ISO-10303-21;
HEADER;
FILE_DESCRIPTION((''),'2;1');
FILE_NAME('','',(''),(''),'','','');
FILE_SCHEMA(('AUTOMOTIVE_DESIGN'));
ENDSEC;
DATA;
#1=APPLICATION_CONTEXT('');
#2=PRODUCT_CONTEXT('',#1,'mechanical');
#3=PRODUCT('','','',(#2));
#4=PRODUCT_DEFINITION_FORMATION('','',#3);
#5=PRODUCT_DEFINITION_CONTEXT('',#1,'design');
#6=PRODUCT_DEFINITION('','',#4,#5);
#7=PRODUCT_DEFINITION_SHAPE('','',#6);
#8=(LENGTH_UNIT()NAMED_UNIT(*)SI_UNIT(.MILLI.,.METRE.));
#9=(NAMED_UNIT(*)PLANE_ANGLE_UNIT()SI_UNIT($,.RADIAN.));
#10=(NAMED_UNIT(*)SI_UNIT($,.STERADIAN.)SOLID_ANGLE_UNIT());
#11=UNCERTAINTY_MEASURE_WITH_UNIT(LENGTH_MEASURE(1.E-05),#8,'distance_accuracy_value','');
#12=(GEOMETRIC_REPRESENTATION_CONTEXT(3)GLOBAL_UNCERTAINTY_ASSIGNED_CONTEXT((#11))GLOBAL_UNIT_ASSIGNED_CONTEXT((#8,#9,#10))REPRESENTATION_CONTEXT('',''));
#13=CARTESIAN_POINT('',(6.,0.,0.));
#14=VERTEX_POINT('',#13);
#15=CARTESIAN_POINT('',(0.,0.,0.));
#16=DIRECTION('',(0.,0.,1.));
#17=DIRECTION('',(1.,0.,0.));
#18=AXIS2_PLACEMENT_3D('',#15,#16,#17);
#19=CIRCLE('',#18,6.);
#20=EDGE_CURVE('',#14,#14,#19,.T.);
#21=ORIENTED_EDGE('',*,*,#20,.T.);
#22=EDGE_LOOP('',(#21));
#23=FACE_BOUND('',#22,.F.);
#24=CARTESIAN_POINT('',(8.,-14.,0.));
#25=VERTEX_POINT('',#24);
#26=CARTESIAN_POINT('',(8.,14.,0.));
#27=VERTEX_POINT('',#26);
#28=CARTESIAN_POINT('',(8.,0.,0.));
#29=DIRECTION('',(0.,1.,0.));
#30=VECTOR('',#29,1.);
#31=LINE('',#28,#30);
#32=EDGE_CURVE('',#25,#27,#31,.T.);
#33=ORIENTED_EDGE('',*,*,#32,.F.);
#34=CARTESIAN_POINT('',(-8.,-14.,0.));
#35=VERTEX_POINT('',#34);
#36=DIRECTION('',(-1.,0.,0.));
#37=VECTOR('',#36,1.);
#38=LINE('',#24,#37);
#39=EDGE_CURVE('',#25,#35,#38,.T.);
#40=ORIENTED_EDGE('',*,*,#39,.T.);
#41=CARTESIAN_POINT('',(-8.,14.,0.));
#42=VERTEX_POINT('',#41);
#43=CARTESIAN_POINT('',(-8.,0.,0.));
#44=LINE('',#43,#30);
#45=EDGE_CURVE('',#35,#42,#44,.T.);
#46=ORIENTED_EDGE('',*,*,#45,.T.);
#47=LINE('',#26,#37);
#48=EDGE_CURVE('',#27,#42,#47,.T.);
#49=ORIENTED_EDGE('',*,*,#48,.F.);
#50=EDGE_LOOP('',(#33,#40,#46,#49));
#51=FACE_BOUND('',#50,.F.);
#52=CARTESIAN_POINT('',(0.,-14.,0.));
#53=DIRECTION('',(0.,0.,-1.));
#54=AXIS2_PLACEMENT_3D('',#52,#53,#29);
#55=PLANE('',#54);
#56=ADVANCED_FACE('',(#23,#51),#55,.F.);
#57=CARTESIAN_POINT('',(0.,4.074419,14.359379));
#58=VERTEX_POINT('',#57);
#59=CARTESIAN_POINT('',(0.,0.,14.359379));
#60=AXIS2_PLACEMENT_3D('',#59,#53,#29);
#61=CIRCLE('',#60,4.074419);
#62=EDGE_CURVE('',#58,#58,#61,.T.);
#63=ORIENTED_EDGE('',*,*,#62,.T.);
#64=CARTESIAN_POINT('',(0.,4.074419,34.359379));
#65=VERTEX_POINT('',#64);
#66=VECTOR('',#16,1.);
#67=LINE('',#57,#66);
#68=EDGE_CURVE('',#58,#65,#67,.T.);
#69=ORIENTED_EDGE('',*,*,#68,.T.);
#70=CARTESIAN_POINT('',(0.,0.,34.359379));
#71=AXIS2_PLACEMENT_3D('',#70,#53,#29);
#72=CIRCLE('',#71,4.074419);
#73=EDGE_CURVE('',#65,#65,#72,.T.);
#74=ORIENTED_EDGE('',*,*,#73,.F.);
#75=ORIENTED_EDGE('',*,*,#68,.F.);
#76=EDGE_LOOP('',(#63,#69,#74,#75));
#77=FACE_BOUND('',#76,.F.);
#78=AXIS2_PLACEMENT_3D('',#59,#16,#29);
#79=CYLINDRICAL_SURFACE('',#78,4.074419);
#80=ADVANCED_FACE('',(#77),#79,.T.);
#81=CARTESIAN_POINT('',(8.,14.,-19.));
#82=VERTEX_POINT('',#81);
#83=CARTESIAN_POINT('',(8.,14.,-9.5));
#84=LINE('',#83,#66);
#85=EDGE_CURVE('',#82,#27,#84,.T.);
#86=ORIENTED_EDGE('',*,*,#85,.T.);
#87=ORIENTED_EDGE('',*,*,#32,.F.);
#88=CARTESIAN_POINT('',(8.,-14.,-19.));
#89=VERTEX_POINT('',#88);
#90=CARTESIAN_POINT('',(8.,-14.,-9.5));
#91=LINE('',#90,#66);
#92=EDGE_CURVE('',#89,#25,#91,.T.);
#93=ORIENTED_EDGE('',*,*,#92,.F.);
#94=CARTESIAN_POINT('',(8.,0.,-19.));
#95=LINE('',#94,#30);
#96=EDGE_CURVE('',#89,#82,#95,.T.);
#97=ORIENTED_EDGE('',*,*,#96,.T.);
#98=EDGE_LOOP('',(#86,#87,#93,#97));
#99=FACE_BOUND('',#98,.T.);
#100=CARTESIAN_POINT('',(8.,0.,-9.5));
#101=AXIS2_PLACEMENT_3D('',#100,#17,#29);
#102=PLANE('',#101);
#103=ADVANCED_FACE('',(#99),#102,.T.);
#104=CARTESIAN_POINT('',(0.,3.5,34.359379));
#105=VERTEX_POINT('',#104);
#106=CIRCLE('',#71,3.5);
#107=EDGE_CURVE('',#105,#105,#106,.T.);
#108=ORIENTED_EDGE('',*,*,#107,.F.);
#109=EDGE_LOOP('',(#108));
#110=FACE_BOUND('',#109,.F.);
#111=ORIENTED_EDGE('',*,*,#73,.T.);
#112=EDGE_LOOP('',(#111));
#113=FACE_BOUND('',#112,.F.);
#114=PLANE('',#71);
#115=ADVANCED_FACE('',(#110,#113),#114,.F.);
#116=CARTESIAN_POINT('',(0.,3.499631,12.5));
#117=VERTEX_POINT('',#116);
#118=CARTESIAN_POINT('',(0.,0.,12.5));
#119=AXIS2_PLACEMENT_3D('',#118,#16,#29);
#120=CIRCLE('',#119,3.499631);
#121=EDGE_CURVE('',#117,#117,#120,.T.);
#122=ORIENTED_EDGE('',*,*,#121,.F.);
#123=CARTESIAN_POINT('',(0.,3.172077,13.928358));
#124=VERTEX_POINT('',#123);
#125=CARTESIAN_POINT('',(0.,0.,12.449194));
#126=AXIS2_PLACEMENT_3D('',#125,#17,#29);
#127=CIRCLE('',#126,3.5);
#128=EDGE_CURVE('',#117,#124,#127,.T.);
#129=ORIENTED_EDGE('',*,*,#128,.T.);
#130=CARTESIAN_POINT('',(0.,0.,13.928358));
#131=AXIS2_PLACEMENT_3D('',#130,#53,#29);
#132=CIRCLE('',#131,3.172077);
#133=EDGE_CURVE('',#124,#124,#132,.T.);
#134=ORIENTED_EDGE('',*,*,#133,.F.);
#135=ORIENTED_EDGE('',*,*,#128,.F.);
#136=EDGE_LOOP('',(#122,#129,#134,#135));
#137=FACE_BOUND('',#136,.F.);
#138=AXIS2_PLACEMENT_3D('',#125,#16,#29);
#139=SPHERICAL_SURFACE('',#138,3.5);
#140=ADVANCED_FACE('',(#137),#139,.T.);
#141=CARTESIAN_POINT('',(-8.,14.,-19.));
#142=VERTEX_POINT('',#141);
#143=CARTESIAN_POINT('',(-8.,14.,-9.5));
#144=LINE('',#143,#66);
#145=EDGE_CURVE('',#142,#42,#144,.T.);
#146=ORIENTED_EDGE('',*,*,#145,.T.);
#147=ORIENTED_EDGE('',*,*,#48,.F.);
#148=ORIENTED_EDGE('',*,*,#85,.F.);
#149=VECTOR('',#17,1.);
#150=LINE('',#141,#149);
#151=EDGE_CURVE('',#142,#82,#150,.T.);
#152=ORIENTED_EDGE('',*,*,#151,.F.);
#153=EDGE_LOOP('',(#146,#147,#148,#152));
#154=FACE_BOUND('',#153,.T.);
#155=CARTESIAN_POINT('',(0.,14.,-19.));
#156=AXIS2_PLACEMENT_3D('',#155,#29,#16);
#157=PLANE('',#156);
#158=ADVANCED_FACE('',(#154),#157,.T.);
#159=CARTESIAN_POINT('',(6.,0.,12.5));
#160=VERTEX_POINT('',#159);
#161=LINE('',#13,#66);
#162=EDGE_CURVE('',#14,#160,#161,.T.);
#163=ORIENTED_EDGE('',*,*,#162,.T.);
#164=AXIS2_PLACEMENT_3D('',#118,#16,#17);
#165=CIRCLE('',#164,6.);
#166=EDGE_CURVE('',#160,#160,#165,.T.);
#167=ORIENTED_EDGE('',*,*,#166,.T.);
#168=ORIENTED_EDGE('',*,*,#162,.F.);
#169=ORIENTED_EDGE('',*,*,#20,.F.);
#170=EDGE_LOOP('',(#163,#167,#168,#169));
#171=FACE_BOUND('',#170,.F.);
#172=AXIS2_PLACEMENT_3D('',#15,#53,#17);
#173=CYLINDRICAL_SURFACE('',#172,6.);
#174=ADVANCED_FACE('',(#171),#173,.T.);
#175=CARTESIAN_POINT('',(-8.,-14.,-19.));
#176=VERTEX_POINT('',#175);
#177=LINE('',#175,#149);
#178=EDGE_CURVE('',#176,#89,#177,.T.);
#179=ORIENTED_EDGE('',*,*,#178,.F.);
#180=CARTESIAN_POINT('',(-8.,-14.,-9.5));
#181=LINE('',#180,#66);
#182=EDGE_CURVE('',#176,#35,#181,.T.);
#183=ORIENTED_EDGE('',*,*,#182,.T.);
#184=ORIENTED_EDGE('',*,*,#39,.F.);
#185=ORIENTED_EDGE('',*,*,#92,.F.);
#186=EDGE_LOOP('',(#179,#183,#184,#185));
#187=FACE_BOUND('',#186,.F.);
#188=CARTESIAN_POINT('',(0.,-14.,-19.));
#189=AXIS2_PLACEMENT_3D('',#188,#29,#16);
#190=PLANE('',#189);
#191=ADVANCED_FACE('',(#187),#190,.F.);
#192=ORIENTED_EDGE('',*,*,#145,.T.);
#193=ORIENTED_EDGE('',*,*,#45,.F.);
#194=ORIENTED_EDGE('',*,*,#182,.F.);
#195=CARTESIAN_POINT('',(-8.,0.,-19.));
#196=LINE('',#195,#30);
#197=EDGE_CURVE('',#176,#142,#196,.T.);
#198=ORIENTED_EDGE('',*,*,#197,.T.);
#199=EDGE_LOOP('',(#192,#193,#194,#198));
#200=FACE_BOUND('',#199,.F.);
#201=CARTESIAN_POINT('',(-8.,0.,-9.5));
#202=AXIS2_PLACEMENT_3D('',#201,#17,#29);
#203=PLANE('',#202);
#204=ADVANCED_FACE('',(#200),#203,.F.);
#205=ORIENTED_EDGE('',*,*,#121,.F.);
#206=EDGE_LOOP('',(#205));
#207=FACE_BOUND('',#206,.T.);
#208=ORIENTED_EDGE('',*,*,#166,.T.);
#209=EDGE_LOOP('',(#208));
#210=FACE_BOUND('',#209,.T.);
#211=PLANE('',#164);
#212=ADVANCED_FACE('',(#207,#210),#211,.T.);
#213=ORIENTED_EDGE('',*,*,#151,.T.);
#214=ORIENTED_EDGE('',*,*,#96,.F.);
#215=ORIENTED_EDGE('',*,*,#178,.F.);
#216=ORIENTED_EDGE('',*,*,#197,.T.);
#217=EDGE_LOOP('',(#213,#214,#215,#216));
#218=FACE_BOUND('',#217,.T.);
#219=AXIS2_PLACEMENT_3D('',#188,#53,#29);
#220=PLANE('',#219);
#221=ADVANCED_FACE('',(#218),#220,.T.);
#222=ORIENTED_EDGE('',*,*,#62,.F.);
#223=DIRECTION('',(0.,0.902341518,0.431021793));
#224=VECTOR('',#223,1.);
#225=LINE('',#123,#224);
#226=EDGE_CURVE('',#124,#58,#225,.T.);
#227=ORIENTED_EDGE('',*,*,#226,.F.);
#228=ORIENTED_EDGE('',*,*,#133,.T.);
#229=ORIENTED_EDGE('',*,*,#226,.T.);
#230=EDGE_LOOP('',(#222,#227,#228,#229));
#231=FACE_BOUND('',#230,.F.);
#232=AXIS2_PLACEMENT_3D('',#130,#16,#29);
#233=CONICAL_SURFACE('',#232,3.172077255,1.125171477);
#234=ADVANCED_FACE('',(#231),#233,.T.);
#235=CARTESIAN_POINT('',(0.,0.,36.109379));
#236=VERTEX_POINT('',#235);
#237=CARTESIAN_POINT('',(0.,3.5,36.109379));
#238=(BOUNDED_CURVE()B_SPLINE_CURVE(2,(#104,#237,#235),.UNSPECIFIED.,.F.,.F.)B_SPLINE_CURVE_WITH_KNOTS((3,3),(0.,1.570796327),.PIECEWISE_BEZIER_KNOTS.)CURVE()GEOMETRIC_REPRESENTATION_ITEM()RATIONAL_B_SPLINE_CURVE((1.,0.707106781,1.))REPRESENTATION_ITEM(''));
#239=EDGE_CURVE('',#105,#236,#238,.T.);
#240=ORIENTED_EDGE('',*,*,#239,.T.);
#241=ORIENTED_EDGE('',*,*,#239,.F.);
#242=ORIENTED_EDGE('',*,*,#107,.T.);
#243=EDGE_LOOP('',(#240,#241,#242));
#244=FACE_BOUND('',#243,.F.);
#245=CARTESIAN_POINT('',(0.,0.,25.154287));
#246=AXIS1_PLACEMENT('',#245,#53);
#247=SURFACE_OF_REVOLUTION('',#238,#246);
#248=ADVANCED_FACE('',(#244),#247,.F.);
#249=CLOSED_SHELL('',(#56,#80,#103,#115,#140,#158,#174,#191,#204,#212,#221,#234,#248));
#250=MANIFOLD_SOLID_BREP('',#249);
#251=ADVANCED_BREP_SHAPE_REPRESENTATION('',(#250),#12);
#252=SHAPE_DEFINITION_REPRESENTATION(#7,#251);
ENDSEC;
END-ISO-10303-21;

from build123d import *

# Parameters (mm, degrees)
F0_R     = 6
F1_DEPTH = 12.5
F2_W     = 28
F2_H     = 19
F3_DEPTH = 8


with BuildPart() as f1:
    # F0 (on Top) → F1 (new body)
    with BuildSketch(Plane.XY):
        Circle(F0_R)
    extrude(amount=F1_DEPTH)

    # F2 (on Right) → F3 (join, symmetric)
    with BuildSketch(Plane.YZ):
        with Locations((0, -9.5)):
            Rectangle(F2_W, F2_H)
    extrude(amount=F3_DEPTH, both=True)

    # F2 (on Right) → F4 (revolve)
    with BuildSketch(Plane.YZ):
        with BuildLine():
            ThreePointArc((0, 15.9491937459), (1.8805486292, 15.4010638062), (3.1720772546, 13.9283576619))
            Line((3.1720772546, 13.9283576619), (4.0744187722, 14.3593794546))
            Line((4.0744187722, 14.3593794546), (4.0744187722, 34.3593794546))
            Line((4.0744187722, 34.3593794546), (3.5, 34.3593794546))
            add(Edge.make_bspline(
                [(0, 32.6093794546), (3.5, 32.6093794546), (3.5, 34.3593794546)],
                knots=[4.7123889804, 4.7123889804, 4.7123889804, 6.2831853072, 6.2831853072, 6.2831853072], degree=2, weights=[1, 0.7071067812, 1]))
            Line((0, 32.6093794546), (0, 15.9491937459))
        make_face()
        with BuildLine():
            Line((0, 12.4491937459), (3.5, 12.4491937459))
            ThreePointArc((3.5, 12.4491937459), (3.4170360249, 13.2067323946), (3.1720772546, 13.9283576619))
            ThreePointArc((3.1720772546, 13.9283576619), (1.8805486292, 15.4010638062), (0, 15.9491937459))
            Line((0, 15.9491937459), (0, 12.4491937459))
        make_face()
        with BuildLine():
            Line((0, 34.3593794546), (0, 32.6093794546))
            add(Edge.make_bspline(
                [(0, 32.6093794546), (3.5, 32.6093794546), (3.5, 34.3593794546)],
                knots=[4.7123889804, 4.7123889804, 4.7123889804, 6.2831853072, 6.2831853072, 6.2831853072], degree=2, weights=[1, 0.7071067812, 1]))
            Line((3.5, 34.3593794546), (0, 34.3593794546))
        make_face()
        with BuildLine():
            Line((0, 36.1093794546), (0, 34.3593794546))
            Line((0, 34.3593794546), (3.5, 34.3593794546))
            add(Edge.make_bspline(
                [(3.5, 34.3593794546), (3.5, 36.1093794546), (0, 36.1093794546)],
                knots=[0, 0, 0, 1.5707963268, 1.5707963268, 1.5707963268], degree=2, weights=[1, 0.7071067812, 1]))
        make_face()
        with BuildLine():
            ThreePointArc((0, 8.9491937459), (2.4748737342, 9.9743200117), (3.5, 12.4491937459))
            Line((3.5, 12.4491937459), (0, 12.4491937459))
            Line((0, 12.4491937459), (0, 8.9491937459))
        make_face()
    revolve(axis=Axis((0, 0, 25.1542866002), (0, 0, -1)))


solid = f1.part
